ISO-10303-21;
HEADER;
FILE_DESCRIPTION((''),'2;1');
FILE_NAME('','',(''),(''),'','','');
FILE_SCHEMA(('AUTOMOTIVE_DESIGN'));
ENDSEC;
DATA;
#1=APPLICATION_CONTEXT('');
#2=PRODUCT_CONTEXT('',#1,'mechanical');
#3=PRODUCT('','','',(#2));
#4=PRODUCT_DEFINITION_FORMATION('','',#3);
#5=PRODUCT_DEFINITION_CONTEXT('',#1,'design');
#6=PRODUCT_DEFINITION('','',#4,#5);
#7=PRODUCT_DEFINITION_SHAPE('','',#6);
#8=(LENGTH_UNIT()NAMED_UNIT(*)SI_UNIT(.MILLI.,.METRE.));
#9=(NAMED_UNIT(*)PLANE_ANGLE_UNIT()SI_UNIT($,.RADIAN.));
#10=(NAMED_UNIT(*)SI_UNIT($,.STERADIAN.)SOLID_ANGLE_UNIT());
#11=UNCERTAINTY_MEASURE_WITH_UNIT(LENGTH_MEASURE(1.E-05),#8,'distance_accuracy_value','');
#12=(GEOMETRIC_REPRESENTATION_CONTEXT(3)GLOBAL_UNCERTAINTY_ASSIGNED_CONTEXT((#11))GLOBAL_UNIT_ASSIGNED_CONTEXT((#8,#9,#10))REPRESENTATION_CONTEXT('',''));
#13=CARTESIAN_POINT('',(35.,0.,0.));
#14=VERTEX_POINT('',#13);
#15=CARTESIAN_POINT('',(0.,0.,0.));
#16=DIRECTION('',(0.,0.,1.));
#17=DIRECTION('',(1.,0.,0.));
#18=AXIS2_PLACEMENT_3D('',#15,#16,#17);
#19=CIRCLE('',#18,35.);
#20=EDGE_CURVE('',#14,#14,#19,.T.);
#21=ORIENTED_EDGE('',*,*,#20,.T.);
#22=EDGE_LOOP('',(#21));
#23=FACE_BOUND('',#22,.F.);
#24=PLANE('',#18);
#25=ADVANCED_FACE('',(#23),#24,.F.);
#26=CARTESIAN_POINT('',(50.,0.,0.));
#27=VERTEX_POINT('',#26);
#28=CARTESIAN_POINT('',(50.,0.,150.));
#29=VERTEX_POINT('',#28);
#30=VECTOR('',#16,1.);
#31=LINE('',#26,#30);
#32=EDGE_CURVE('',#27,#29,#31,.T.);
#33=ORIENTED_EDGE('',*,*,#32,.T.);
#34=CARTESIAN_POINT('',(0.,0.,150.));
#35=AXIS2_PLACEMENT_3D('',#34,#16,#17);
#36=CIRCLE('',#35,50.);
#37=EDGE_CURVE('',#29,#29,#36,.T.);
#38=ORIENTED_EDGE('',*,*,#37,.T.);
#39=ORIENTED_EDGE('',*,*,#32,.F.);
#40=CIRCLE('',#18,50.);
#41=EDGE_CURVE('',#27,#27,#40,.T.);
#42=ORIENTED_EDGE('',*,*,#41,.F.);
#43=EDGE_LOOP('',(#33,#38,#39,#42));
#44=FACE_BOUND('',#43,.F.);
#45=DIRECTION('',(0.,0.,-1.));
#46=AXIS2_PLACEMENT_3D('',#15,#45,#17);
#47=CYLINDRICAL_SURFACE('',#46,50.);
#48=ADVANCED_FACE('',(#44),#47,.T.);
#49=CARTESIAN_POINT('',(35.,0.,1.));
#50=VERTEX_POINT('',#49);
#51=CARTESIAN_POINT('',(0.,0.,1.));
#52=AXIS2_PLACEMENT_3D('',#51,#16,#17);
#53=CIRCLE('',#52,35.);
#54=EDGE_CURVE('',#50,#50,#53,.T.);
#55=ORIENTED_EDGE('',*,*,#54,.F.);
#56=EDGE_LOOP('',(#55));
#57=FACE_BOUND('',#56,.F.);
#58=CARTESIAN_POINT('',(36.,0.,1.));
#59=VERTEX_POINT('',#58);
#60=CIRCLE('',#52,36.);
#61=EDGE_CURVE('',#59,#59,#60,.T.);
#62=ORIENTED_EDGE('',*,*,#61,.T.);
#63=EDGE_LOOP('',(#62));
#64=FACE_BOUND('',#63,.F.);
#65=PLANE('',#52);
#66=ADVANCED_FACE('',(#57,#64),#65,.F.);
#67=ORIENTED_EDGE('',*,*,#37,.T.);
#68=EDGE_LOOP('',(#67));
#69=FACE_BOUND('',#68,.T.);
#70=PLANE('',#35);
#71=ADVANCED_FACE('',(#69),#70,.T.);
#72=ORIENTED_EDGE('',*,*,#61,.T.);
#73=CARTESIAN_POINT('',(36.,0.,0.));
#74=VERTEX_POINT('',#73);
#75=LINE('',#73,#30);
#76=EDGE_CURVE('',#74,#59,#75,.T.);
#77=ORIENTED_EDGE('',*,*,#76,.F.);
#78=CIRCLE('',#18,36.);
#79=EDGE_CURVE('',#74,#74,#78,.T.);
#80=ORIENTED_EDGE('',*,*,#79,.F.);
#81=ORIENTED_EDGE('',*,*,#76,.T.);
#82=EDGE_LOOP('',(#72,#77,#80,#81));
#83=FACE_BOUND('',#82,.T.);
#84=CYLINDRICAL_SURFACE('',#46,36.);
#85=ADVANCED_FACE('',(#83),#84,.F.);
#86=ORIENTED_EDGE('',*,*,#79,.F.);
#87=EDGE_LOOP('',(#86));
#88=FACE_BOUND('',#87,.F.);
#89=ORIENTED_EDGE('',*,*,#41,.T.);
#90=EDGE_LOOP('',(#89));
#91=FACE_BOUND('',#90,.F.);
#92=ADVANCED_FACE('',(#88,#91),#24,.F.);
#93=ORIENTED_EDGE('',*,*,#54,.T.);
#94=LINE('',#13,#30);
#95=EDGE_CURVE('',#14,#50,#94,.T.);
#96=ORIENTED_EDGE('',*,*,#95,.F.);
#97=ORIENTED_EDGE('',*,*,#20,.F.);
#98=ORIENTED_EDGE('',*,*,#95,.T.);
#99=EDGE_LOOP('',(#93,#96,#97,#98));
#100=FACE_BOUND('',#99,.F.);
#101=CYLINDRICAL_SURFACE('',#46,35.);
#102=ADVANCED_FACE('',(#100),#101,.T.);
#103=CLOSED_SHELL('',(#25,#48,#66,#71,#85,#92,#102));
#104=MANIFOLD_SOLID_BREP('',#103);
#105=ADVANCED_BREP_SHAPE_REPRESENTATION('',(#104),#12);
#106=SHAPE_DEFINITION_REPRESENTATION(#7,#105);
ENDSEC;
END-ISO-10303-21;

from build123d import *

# Parameters (mm, degrees)
F2_R     = 50
F3_DEPTH = 150
F4_R     = 36
F4_R_2   = 35
F5_DEPTH = 1


with BuildPart() as f3:
    # F2 (on Top) → F3 (new body)
    with BuildSketch(Plane.XY):
        Circle(F2_R)
    extrude(amount=F3_DEPTH)

    # F4 (on Top) → F5 (cut)
    with BuildSketch(Plane.XY):
        Circle(F4_R)
        Circle(F4_R_2, mode=Mode.SUBTRACT)
    extrude(amount=F5_DEPTH, mode=Mode.SUBTRACT)


solid = f3.part
